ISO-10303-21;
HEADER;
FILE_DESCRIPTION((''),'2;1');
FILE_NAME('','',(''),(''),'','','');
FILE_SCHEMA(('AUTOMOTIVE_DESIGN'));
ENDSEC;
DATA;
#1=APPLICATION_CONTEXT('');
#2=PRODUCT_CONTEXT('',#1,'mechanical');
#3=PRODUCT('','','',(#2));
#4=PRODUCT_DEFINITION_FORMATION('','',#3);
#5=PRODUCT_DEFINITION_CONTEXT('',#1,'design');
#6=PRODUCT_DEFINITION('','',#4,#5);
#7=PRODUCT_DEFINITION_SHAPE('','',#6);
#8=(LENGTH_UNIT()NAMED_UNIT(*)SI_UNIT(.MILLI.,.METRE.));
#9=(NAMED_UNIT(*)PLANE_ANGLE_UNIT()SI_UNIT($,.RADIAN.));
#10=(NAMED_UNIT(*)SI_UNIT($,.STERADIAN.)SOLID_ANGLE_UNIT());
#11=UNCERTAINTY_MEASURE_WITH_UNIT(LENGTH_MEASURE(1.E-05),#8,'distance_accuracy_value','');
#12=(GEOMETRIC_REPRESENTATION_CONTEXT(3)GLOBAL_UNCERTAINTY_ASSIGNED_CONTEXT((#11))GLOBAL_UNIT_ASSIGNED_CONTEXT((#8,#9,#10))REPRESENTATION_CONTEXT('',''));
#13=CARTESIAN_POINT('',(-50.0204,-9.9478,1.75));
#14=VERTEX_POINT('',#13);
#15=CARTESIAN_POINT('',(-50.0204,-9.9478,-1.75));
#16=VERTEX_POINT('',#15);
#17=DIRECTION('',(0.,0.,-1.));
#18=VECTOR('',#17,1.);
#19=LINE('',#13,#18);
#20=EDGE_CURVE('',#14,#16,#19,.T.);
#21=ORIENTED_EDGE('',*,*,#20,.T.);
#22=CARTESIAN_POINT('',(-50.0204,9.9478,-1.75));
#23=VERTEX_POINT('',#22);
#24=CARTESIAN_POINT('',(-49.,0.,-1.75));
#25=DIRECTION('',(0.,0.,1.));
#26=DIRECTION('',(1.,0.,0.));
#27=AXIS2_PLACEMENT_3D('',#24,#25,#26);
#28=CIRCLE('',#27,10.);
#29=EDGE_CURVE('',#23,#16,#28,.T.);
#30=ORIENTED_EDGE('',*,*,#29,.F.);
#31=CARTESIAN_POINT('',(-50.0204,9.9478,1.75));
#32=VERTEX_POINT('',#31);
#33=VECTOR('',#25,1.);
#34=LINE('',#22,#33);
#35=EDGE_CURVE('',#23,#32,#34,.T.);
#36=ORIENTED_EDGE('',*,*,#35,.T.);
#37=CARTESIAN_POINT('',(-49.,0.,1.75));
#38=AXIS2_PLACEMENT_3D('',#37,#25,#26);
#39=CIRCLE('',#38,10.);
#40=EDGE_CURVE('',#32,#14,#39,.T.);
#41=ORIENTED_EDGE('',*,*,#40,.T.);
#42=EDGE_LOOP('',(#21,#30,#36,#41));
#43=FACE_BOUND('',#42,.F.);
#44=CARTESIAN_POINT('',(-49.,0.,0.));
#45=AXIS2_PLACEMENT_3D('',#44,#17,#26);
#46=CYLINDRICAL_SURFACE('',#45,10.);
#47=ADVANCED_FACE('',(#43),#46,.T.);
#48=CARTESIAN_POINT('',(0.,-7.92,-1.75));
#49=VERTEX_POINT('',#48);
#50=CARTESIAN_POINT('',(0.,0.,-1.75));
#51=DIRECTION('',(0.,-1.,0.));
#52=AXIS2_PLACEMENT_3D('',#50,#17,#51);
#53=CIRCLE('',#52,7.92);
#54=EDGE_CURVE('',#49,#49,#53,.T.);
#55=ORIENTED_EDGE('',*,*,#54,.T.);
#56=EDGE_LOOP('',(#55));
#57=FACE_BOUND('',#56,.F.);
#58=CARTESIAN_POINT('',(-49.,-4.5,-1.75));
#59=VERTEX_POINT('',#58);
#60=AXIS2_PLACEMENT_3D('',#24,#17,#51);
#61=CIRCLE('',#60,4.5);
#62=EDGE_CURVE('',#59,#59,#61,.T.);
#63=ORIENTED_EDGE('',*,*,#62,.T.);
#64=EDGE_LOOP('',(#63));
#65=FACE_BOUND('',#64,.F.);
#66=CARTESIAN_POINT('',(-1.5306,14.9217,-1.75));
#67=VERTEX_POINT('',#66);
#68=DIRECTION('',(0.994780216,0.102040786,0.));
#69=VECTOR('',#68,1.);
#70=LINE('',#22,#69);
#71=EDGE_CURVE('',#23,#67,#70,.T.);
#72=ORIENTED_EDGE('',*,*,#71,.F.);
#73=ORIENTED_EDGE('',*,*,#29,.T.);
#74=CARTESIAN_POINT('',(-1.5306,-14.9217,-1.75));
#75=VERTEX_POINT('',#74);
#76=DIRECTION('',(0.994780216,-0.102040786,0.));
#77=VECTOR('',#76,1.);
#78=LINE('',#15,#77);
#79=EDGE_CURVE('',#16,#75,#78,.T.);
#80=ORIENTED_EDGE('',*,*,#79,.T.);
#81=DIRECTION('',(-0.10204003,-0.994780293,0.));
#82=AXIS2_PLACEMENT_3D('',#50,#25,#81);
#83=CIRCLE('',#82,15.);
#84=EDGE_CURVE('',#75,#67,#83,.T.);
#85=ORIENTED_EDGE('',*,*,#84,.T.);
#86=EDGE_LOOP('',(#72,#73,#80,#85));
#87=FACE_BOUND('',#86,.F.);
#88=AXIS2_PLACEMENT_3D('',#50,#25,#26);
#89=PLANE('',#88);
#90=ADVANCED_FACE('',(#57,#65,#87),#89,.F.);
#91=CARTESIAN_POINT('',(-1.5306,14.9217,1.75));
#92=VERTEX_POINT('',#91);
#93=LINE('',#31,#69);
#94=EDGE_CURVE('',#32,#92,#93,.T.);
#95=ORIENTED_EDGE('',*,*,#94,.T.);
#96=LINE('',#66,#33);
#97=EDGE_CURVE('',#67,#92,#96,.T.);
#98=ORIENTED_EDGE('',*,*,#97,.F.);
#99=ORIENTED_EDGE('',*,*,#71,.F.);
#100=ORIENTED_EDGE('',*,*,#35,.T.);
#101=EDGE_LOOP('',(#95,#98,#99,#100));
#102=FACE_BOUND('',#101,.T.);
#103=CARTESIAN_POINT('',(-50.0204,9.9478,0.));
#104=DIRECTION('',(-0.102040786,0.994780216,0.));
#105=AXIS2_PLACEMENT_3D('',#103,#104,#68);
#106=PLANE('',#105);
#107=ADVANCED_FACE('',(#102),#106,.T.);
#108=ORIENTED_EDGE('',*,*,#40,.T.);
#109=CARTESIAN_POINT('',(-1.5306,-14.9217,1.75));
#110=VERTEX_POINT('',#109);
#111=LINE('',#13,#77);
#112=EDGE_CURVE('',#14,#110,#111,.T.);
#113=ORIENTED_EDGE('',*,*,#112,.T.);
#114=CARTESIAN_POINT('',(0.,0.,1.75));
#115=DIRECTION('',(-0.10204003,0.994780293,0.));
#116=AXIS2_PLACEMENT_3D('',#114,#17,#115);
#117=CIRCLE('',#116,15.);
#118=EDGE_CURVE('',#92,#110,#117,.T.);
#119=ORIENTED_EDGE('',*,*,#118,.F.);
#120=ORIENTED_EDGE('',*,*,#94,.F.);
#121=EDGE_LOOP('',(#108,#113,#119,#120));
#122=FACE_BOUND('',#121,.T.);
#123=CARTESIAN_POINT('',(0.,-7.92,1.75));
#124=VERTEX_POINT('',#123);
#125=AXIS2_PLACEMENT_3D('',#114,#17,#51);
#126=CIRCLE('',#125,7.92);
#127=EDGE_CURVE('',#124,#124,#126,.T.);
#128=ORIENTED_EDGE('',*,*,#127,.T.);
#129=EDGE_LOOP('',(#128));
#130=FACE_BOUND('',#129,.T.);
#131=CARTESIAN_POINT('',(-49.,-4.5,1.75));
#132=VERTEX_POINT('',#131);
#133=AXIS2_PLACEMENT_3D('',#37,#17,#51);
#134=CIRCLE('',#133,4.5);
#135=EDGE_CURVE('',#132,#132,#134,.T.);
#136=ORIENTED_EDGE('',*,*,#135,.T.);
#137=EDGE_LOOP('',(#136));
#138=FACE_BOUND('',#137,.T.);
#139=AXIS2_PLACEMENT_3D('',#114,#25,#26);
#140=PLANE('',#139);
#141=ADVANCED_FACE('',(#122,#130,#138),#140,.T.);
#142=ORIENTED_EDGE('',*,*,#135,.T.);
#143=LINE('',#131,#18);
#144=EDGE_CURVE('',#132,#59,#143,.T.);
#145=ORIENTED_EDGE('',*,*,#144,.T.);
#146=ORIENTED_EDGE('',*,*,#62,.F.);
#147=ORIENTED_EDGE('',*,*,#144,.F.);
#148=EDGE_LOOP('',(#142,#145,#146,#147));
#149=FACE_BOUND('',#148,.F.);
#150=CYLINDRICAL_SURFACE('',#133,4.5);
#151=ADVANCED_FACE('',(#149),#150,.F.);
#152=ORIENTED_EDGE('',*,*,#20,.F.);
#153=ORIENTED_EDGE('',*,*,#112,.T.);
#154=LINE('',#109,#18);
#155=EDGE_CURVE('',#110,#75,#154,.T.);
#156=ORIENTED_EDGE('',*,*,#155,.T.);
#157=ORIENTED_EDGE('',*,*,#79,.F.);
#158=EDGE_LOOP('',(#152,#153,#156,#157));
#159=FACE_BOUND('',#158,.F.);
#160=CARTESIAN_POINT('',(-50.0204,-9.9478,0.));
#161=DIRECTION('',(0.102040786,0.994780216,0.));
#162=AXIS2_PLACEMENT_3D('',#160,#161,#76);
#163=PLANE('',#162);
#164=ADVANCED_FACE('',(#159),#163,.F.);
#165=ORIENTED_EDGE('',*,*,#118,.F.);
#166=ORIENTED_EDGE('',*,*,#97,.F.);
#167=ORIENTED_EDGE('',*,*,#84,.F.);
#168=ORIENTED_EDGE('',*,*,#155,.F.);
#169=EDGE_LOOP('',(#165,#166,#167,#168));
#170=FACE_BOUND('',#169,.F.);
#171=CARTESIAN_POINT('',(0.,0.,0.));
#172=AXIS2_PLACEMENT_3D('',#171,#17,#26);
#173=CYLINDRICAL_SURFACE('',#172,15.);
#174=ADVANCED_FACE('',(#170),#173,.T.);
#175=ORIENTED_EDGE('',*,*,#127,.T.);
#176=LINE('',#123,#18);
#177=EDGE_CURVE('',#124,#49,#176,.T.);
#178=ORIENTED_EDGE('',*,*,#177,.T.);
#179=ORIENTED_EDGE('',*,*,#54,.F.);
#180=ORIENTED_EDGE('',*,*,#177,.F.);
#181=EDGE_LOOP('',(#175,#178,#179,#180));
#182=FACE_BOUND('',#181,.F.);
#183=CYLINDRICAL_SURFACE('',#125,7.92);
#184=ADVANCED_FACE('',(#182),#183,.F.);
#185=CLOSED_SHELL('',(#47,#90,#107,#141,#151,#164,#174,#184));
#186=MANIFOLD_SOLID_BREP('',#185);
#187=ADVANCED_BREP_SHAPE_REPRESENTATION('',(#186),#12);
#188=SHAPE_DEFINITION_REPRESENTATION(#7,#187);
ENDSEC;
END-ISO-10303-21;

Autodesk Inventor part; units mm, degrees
ref_plane "YZ Plane" through (0, 0, 0) normal (1, 0, 0) x (0, 1, 0)
ref_plane "XZ Plane" through (0, 0, 0) normal (0, 1, 0) x (-1, 0, 0)
ref_plane "XY Plane" through (0, 0, 0) normal (0, 0, 1) x (1, 0, 0)
sketch "Sketch1" plane through (0, 0, 0) normal (0, 0, 1) x (1, 0, 0)
  circle A0 centre (0, 0) radius 15
  line L0 (0, 0) -> (-49, 0) construction
  circle A1 centre (-49, 0) radius 10
  line L1 (-50.0204, 9.9478) -> (-1.5306, 14.9217)
  line L2 (-50.0204, -9.9478) -> (-1.5306, -14.9217)
  dimension "d0" = 20
  dimension "d1" = 30
  dimension "d2" = 49
extrude "Extrusion1" add sketch "Sketch1" along normal mid plane 3.5
sketch "Sketch2" plane through (0, 0, 1.75) normal (0, 0, 1) x (1, 0, 0)
  arc A0 (-1.5306, -14.9217) -> (-1.5306, 14.9217) centre (0, 0) ccw projected
hole "Hole1" at (0, 0, 1.75) direction (0, 0, -1) diameter 15.84 end through all
sketch "Sketch3" plane through (0, 0, 1.75) normal (0, 0, 1) x (1, 0, 0)
  arc A0 (-50.0204, 9.9478) -> (-50.0204, -9.9478) centre (-49, 0) ccw projected
hole "Hole2" at (-49, 0, 1.75) direction (0, 0, -1) diameter 9 end through all
properties part number "313-01-02" material "Steel"
